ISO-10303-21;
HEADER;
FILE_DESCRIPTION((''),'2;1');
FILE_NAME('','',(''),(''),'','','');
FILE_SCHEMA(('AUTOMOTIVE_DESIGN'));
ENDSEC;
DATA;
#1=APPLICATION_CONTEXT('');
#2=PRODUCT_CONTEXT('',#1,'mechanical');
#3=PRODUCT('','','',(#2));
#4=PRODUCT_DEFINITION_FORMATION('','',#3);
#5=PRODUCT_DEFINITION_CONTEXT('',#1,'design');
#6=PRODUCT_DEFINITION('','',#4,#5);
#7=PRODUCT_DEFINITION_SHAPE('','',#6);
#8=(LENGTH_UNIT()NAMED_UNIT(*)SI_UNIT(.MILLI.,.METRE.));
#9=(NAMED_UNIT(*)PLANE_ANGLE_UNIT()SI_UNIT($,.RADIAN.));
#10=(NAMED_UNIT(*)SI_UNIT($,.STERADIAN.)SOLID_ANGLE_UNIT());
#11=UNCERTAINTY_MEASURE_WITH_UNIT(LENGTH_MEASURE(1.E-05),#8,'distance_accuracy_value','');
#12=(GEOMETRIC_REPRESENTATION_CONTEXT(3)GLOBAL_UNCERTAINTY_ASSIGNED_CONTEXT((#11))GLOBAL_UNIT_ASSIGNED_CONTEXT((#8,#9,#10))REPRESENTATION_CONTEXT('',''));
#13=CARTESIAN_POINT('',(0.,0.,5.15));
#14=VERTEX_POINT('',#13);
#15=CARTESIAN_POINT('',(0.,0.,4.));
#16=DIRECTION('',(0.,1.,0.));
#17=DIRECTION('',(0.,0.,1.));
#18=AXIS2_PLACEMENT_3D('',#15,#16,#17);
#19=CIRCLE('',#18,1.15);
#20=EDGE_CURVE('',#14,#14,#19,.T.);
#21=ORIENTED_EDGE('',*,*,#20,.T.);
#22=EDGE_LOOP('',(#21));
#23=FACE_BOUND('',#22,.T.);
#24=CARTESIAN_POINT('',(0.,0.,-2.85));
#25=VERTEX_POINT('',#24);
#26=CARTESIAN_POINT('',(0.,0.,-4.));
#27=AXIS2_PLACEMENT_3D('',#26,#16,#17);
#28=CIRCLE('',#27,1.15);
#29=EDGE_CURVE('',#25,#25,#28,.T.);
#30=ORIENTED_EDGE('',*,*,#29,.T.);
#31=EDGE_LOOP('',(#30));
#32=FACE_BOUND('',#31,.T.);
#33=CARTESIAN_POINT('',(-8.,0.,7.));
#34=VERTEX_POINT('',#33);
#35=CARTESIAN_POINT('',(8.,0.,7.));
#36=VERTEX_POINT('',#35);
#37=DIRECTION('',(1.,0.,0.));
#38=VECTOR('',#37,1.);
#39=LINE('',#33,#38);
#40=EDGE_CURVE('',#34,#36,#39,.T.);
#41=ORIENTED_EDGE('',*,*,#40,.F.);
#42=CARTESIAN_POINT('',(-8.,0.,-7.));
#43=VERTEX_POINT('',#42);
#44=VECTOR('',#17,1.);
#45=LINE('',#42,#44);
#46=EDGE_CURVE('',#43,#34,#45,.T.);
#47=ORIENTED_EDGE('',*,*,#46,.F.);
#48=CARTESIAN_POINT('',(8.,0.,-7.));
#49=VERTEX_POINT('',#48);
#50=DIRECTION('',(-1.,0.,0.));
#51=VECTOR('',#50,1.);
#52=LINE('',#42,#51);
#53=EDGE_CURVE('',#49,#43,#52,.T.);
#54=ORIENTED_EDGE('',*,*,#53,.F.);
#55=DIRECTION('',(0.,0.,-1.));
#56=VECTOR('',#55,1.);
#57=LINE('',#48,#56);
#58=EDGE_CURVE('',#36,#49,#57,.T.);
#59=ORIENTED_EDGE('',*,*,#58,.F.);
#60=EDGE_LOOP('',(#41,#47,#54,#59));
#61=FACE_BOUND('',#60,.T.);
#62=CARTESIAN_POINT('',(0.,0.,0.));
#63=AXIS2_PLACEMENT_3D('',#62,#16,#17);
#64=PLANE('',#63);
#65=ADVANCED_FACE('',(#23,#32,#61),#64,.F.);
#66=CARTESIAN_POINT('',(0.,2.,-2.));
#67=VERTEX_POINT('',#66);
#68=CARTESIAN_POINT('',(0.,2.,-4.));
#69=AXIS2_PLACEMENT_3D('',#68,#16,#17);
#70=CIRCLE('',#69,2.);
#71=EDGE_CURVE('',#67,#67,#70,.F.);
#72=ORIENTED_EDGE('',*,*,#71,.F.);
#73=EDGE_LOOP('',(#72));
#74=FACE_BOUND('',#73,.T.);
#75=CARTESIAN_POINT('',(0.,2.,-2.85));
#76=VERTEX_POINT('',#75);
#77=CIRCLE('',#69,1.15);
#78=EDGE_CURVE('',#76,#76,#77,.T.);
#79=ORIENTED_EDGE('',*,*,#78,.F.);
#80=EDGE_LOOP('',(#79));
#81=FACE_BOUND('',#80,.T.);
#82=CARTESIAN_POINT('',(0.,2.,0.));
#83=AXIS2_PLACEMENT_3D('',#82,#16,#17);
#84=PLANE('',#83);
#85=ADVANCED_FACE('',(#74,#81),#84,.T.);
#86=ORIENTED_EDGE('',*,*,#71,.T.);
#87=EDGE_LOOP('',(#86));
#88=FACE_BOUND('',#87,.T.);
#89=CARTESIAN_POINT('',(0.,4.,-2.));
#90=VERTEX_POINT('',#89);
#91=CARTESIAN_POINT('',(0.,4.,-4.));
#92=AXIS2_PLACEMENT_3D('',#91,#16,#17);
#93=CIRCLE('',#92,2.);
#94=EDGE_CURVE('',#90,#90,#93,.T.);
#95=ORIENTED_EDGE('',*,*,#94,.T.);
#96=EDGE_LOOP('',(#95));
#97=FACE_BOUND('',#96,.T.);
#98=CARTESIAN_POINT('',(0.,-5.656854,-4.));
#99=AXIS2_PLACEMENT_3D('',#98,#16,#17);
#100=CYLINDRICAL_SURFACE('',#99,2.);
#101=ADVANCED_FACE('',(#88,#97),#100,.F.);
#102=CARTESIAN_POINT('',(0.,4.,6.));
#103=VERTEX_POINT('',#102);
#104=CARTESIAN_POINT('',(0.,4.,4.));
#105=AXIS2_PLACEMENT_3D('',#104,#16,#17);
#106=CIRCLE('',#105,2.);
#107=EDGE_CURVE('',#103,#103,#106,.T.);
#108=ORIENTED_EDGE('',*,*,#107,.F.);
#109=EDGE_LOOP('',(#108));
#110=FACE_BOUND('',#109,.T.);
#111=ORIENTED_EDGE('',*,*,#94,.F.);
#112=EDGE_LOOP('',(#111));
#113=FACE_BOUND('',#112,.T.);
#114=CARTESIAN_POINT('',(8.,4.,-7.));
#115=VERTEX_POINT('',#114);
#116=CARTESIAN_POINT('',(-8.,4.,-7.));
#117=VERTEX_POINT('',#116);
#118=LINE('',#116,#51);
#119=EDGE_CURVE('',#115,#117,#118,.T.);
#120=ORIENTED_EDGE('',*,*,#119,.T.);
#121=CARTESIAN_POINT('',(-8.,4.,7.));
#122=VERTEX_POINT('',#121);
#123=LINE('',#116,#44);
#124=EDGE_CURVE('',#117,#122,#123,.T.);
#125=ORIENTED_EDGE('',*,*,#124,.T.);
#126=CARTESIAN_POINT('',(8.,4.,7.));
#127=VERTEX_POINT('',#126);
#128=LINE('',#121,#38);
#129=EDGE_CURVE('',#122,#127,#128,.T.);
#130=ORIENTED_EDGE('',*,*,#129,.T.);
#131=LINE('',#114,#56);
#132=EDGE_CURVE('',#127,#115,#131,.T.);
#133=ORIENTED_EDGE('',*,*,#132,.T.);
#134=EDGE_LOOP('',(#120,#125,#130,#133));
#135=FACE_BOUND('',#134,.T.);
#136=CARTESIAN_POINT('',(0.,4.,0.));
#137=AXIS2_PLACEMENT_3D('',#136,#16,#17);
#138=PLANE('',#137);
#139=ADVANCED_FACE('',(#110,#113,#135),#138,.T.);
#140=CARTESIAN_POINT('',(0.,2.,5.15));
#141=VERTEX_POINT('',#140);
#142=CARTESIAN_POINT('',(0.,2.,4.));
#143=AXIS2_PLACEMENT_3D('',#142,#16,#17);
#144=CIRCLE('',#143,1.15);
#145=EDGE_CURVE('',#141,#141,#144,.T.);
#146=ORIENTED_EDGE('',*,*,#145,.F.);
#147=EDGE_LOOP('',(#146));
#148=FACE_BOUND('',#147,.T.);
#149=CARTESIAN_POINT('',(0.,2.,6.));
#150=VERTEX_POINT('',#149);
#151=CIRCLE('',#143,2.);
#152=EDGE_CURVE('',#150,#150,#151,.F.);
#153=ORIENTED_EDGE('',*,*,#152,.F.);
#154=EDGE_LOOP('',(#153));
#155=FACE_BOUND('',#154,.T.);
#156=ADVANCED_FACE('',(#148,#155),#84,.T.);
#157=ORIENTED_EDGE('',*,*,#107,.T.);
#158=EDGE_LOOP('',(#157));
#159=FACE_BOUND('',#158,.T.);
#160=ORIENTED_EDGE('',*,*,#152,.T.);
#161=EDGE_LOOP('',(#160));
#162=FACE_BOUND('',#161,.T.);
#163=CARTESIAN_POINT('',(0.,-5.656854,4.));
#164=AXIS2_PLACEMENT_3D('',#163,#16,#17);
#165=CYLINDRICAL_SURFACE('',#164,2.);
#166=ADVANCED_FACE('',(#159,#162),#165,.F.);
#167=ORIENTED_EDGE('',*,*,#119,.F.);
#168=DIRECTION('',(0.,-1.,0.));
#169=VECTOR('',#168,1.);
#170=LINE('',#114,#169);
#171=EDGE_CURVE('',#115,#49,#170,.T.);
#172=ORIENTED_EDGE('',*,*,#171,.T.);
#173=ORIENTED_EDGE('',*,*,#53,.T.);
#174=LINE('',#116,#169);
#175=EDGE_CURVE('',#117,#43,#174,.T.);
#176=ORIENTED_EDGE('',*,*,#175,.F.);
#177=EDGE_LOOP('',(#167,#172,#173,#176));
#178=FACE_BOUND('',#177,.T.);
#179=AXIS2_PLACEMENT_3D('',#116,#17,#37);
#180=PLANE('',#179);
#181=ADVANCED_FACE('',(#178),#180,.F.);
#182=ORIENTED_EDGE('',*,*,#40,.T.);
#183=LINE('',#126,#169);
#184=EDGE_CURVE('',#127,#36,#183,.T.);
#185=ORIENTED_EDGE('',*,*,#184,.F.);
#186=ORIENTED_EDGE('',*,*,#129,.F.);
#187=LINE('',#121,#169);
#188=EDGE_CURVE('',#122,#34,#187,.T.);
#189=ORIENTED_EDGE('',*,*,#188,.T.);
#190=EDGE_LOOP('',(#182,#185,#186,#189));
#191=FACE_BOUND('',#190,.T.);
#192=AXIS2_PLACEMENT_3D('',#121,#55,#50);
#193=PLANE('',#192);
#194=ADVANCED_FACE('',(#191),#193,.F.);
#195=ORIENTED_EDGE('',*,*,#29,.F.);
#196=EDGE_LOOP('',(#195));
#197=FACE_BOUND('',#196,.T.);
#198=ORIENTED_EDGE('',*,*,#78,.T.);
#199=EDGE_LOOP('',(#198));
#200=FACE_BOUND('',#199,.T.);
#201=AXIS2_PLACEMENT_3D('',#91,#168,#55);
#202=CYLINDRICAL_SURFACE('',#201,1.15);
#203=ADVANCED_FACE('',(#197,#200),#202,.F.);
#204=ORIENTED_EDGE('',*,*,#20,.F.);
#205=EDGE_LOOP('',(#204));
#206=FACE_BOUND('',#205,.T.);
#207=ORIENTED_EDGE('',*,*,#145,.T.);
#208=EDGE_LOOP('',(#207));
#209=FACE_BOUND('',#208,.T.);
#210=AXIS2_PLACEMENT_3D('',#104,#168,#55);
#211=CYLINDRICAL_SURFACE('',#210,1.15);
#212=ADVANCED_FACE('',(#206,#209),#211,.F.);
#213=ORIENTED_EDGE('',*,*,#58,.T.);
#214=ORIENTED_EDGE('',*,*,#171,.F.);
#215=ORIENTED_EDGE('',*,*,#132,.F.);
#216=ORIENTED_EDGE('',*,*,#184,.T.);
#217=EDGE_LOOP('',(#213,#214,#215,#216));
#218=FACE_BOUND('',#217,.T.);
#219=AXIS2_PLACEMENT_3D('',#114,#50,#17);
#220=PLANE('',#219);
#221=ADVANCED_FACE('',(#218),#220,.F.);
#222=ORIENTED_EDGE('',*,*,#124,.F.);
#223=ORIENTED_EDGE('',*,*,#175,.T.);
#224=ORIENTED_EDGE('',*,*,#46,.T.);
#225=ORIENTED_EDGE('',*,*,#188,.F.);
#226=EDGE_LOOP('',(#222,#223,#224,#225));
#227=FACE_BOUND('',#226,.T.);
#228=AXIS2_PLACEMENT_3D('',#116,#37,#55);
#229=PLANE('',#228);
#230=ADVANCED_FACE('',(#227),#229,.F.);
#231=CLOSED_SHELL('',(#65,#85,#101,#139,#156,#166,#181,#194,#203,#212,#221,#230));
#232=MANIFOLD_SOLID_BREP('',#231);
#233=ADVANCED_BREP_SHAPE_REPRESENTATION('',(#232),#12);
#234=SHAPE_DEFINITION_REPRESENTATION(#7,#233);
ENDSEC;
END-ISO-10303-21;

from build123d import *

# Parameters (mm, degrees)
SKETCH_1_W          = 16
SKETCH_1_H          = 14
SKETCH_1_R          = 1.15
EXTRUDE_1_DEPTH     = 4
SKETCH_2_R          = 2
CUT_EXTRUDE_1_DEPTH = 2


with BuildPart() as part:
    # 스케치1 → 보스-돌출1 (new body)
    with BuildSketch(Plane(origin=(0, 0, 0), x_dir=(1, 0, 0), z_dir=(0, 1, 0))):
        Rectangle(SKETCH_1_W, SKETCH_1_H)
        with Locations((0, 4)):
            Circle(SKETCH_1_R, mode=Mode.SUBTRACT)
        with Locations((0, -4)):
            Circle(SKETCH_1_R, mode=Mode.SUBTRACT)
    extrude(amount=EXTRUDE_1_DEPTH)

    # 스케치2 → 컷-돌출1 (cut)
    with BuildSketch(Plane(origin=(0, 4, 0), x_dir=(1, 0, 0), z_dir=(0, 1, 0))):
        with Locations((0, 4)):
            Circle(SKETCH_2_R)
        with Locations((0, -4)):
            Circle(SKETCH_2_R)
    extrude(amount=-CUT_EXTRUDE_1_DEPTH, mode=Mode.SUBTRACT)


solid = part.part
